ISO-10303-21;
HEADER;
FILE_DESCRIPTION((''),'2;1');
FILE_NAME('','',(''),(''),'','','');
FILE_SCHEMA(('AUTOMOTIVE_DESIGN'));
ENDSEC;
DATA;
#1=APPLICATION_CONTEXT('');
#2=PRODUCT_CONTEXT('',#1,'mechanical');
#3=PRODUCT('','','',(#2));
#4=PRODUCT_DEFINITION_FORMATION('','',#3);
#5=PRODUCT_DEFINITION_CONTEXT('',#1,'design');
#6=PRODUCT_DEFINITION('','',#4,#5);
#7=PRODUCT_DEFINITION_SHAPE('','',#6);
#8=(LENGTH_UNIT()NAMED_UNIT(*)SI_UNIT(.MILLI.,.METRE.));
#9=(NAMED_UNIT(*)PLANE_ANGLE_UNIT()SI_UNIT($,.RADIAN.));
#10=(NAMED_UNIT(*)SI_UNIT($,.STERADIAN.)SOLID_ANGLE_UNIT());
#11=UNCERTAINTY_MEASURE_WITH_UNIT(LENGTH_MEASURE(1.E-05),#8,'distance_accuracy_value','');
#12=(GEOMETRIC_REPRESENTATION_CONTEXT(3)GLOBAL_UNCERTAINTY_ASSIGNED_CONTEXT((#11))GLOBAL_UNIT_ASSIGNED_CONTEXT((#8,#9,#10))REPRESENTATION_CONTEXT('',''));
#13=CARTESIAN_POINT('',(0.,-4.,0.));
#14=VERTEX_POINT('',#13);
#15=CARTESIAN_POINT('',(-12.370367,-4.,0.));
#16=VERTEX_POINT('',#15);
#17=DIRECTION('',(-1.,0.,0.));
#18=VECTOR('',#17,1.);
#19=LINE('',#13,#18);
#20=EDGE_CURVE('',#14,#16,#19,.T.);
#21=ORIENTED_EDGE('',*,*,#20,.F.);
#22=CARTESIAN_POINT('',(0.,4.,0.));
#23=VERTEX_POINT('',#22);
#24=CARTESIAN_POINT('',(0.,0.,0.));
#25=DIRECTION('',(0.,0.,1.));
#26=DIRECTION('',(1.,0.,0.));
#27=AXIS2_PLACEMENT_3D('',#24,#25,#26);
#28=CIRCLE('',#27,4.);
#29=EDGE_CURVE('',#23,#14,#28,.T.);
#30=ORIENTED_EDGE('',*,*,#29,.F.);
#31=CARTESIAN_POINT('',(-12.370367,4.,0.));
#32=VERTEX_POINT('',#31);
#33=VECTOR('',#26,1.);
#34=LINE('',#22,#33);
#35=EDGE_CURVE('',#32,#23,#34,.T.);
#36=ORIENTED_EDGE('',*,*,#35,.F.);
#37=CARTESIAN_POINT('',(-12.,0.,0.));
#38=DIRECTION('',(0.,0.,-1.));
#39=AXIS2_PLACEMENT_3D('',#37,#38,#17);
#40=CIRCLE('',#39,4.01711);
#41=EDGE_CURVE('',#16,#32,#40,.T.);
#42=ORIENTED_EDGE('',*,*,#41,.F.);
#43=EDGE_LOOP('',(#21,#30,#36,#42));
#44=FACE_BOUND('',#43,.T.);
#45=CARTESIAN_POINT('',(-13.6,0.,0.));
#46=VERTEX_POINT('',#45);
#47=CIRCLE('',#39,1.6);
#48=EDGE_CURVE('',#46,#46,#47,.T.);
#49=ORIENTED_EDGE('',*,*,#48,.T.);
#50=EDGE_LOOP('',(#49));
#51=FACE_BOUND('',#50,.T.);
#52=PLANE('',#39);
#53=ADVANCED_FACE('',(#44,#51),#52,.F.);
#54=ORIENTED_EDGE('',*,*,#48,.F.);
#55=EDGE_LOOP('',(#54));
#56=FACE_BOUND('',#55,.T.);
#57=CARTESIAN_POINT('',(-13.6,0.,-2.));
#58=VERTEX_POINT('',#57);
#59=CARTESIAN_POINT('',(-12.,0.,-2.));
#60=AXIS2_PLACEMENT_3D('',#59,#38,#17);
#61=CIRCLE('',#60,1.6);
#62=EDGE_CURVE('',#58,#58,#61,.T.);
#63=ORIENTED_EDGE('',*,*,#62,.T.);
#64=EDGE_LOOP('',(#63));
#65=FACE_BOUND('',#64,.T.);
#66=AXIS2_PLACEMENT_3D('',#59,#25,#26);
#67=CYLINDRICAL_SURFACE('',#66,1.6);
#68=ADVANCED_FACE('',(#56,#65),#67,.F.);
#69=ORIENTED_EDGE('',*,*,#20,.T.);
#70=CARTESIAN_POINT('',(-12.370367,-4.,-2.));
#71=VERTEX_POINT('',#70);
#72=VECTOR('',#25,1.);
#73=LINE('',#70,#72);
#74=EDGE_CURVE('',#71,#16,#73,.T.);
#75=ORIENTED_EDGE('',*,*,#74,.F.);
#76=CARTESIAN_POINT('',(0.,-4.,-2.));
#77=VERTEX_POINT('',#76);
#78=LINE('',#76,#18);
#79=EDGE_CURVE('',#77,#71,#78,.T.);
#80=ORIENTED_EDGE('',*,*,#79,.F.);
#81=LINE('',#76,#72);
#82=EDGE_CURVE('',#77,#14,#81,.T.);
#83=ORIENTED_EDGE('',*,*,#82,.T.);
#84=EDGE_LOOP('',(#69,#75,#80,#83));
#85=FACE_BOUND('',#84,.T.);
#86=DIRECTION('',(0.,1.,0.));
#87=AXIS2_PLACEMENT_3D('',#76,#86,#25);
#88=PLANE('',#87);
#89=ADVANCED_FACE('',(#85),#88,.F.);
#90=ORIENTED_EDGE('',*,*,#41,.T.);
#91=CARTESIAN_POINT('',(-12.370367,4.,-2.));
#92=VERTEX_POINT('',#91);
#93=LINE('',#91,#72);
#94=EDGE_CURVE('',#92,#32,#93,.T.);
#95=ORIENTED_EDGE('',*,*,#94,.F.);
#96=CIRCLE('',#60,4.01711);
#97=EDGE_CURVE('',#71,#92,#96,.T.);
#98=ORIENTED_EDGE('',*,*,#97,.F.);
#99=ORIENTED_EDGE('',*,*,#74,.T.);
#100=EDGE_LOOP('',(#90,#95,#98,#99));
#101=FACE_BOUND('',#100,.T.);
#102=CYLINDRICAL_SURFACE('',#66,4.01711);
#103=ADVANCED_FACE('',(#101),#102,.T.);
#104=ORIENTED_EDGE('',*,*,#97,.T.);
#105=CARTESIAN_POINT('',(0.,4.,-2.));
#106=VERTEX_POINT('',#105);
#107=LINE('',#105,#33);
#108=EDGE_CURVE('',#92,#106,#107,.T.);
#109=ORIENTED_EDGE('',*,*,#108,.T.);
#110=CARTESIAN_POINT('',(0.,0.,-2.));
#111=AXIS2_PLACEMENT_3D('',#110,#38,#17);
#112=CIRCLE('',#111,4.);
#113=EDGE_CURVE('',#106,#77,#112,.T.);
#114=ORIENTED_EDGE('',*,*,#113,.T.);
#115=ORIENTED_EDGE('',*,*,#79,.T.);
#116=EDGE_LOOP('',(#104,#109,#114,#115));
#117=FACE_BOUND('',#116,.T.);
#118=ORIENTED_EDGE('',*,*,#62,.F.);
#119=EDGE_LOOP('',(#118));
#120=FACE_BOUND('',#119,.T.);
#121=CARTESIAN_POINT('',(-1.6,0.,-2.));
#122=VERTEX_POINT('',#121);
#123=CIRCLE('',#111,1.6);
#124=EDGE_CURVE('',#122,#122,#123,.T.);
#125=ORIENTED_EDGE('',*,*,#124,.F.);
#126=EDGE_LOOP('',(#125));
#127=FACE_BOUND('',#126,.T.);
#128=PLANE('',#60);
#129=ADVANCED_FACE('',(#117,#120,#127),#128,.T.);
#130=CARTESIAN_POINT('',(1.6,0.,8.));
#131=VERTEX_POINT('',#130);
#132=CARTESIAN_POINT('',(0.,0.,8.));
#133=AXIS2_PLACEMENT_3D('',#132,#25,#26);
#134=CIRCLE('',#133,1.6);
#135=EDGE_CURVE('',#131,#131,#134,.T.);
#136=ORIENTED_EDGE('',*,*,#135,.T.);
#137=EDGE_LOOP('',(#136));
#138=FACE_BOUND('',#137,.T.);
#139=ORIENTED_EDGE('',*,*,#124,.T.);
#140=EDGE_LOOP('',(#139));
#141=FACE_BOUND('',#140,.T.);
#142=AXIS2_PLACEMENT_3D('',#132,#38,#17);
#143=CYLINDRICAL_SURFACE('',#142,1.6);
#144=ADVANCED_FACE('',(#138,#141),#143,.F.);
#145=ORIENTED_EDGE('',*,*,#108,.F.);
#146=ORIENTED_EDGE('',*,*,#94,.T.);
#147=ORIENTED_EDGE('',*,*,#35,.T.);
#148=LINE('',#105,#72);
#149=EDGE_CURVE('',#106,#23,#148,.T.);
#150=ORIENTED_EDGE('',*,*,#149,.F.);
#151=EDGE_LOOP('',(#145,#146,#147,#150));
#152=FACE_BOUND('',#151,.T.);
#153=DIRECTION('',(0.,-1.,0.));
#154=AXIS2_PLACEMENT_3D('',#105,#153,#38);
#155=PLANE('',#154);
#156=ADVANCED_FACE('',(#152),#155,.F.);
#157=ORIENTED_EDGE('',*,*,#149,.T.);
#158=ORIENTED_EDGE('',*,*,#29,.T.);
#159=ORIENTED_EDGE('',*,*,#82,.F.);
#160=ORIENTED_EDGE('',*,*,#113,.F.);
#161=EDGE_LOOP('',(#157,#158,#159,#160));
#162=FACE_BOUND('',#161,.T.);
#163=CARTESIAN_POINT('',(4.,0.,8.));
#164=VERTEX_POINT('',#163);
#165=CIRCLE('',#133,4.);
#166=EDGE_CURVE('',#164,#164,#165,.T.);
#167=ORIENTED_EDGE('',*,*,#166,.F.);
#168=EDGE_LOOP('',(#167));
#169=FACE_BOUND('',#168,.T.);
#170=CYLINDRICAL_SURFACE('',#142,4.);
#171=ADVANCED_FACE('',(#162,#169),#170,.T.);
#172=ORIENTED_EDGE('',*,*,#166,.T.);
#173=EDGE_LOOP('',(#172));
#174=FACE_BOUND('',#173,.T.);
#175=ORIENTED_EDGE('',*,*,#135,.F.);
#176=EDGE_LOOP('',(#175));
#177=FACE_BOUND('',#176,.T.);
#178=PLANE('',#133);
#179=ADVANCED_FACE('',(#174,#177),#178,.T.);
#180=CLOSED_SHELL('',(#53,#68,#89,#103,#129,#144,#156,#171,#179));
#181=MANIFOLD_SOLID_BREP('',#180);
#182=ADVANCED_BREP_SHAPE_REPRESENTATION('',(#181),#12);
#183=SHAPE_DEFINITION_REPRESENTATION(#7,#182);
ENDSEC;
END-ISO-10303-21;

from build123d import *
from build123d.topology import SkipClean

# Parameters (mm, degrees)
SKETCH_1_R      = 4
SKETCH_1_R_2    = 1.6
EXTRUDE_1_DEPTH = 8
EXTRUDE_START   = 2
SKETCH_2_R      = 1.6
EXTRUDE_2_DEPTH = 2


with BuildPart() as part:
    # Эскиз1 → Бобышка-Вытянуть1 (new body)
    with BuildSketch(Plane.XY):
        Circle(SKETCH_1_R)
        Circle(SKETCH_1_R_2, mode=Mode.SUBTRACT)
    extrude(amount=EXTRUDE_1_DEPTH)

    # Эскиз2 → Бобышка-Вытянуть2 (add)
    with SkipClean():  # the faces are left unmerged after this step: merging them gives an invalid solid
        with BuildSketch(Plane(origin=(0, 0, 0), x_dir=(-1, 0, 0), z_dir=(0, 0, -1)).offset(EXTRUDE_START)):
            with BuildLine():
                Line((0, -4), (12.370366619, -4))
                ThreePointArc((12.370366619, -4), (16.017109836, 0), (12.370366619, 4))
                Line((12.370366619, 4), (0, 4))
                ThreePointArc((0, 4), (-4, 0), (0, -4))
            make_face()
            with Locations((12, 0)):
                Circle(SKETCH_2_R, mode=Mode.SUBTRACT)
            Circle(SKETCH_2_R, mode=Mode.SUBTRACT)
        extrude(amount=-EXTRUDE_2_DEPTH)


solid = part.part
